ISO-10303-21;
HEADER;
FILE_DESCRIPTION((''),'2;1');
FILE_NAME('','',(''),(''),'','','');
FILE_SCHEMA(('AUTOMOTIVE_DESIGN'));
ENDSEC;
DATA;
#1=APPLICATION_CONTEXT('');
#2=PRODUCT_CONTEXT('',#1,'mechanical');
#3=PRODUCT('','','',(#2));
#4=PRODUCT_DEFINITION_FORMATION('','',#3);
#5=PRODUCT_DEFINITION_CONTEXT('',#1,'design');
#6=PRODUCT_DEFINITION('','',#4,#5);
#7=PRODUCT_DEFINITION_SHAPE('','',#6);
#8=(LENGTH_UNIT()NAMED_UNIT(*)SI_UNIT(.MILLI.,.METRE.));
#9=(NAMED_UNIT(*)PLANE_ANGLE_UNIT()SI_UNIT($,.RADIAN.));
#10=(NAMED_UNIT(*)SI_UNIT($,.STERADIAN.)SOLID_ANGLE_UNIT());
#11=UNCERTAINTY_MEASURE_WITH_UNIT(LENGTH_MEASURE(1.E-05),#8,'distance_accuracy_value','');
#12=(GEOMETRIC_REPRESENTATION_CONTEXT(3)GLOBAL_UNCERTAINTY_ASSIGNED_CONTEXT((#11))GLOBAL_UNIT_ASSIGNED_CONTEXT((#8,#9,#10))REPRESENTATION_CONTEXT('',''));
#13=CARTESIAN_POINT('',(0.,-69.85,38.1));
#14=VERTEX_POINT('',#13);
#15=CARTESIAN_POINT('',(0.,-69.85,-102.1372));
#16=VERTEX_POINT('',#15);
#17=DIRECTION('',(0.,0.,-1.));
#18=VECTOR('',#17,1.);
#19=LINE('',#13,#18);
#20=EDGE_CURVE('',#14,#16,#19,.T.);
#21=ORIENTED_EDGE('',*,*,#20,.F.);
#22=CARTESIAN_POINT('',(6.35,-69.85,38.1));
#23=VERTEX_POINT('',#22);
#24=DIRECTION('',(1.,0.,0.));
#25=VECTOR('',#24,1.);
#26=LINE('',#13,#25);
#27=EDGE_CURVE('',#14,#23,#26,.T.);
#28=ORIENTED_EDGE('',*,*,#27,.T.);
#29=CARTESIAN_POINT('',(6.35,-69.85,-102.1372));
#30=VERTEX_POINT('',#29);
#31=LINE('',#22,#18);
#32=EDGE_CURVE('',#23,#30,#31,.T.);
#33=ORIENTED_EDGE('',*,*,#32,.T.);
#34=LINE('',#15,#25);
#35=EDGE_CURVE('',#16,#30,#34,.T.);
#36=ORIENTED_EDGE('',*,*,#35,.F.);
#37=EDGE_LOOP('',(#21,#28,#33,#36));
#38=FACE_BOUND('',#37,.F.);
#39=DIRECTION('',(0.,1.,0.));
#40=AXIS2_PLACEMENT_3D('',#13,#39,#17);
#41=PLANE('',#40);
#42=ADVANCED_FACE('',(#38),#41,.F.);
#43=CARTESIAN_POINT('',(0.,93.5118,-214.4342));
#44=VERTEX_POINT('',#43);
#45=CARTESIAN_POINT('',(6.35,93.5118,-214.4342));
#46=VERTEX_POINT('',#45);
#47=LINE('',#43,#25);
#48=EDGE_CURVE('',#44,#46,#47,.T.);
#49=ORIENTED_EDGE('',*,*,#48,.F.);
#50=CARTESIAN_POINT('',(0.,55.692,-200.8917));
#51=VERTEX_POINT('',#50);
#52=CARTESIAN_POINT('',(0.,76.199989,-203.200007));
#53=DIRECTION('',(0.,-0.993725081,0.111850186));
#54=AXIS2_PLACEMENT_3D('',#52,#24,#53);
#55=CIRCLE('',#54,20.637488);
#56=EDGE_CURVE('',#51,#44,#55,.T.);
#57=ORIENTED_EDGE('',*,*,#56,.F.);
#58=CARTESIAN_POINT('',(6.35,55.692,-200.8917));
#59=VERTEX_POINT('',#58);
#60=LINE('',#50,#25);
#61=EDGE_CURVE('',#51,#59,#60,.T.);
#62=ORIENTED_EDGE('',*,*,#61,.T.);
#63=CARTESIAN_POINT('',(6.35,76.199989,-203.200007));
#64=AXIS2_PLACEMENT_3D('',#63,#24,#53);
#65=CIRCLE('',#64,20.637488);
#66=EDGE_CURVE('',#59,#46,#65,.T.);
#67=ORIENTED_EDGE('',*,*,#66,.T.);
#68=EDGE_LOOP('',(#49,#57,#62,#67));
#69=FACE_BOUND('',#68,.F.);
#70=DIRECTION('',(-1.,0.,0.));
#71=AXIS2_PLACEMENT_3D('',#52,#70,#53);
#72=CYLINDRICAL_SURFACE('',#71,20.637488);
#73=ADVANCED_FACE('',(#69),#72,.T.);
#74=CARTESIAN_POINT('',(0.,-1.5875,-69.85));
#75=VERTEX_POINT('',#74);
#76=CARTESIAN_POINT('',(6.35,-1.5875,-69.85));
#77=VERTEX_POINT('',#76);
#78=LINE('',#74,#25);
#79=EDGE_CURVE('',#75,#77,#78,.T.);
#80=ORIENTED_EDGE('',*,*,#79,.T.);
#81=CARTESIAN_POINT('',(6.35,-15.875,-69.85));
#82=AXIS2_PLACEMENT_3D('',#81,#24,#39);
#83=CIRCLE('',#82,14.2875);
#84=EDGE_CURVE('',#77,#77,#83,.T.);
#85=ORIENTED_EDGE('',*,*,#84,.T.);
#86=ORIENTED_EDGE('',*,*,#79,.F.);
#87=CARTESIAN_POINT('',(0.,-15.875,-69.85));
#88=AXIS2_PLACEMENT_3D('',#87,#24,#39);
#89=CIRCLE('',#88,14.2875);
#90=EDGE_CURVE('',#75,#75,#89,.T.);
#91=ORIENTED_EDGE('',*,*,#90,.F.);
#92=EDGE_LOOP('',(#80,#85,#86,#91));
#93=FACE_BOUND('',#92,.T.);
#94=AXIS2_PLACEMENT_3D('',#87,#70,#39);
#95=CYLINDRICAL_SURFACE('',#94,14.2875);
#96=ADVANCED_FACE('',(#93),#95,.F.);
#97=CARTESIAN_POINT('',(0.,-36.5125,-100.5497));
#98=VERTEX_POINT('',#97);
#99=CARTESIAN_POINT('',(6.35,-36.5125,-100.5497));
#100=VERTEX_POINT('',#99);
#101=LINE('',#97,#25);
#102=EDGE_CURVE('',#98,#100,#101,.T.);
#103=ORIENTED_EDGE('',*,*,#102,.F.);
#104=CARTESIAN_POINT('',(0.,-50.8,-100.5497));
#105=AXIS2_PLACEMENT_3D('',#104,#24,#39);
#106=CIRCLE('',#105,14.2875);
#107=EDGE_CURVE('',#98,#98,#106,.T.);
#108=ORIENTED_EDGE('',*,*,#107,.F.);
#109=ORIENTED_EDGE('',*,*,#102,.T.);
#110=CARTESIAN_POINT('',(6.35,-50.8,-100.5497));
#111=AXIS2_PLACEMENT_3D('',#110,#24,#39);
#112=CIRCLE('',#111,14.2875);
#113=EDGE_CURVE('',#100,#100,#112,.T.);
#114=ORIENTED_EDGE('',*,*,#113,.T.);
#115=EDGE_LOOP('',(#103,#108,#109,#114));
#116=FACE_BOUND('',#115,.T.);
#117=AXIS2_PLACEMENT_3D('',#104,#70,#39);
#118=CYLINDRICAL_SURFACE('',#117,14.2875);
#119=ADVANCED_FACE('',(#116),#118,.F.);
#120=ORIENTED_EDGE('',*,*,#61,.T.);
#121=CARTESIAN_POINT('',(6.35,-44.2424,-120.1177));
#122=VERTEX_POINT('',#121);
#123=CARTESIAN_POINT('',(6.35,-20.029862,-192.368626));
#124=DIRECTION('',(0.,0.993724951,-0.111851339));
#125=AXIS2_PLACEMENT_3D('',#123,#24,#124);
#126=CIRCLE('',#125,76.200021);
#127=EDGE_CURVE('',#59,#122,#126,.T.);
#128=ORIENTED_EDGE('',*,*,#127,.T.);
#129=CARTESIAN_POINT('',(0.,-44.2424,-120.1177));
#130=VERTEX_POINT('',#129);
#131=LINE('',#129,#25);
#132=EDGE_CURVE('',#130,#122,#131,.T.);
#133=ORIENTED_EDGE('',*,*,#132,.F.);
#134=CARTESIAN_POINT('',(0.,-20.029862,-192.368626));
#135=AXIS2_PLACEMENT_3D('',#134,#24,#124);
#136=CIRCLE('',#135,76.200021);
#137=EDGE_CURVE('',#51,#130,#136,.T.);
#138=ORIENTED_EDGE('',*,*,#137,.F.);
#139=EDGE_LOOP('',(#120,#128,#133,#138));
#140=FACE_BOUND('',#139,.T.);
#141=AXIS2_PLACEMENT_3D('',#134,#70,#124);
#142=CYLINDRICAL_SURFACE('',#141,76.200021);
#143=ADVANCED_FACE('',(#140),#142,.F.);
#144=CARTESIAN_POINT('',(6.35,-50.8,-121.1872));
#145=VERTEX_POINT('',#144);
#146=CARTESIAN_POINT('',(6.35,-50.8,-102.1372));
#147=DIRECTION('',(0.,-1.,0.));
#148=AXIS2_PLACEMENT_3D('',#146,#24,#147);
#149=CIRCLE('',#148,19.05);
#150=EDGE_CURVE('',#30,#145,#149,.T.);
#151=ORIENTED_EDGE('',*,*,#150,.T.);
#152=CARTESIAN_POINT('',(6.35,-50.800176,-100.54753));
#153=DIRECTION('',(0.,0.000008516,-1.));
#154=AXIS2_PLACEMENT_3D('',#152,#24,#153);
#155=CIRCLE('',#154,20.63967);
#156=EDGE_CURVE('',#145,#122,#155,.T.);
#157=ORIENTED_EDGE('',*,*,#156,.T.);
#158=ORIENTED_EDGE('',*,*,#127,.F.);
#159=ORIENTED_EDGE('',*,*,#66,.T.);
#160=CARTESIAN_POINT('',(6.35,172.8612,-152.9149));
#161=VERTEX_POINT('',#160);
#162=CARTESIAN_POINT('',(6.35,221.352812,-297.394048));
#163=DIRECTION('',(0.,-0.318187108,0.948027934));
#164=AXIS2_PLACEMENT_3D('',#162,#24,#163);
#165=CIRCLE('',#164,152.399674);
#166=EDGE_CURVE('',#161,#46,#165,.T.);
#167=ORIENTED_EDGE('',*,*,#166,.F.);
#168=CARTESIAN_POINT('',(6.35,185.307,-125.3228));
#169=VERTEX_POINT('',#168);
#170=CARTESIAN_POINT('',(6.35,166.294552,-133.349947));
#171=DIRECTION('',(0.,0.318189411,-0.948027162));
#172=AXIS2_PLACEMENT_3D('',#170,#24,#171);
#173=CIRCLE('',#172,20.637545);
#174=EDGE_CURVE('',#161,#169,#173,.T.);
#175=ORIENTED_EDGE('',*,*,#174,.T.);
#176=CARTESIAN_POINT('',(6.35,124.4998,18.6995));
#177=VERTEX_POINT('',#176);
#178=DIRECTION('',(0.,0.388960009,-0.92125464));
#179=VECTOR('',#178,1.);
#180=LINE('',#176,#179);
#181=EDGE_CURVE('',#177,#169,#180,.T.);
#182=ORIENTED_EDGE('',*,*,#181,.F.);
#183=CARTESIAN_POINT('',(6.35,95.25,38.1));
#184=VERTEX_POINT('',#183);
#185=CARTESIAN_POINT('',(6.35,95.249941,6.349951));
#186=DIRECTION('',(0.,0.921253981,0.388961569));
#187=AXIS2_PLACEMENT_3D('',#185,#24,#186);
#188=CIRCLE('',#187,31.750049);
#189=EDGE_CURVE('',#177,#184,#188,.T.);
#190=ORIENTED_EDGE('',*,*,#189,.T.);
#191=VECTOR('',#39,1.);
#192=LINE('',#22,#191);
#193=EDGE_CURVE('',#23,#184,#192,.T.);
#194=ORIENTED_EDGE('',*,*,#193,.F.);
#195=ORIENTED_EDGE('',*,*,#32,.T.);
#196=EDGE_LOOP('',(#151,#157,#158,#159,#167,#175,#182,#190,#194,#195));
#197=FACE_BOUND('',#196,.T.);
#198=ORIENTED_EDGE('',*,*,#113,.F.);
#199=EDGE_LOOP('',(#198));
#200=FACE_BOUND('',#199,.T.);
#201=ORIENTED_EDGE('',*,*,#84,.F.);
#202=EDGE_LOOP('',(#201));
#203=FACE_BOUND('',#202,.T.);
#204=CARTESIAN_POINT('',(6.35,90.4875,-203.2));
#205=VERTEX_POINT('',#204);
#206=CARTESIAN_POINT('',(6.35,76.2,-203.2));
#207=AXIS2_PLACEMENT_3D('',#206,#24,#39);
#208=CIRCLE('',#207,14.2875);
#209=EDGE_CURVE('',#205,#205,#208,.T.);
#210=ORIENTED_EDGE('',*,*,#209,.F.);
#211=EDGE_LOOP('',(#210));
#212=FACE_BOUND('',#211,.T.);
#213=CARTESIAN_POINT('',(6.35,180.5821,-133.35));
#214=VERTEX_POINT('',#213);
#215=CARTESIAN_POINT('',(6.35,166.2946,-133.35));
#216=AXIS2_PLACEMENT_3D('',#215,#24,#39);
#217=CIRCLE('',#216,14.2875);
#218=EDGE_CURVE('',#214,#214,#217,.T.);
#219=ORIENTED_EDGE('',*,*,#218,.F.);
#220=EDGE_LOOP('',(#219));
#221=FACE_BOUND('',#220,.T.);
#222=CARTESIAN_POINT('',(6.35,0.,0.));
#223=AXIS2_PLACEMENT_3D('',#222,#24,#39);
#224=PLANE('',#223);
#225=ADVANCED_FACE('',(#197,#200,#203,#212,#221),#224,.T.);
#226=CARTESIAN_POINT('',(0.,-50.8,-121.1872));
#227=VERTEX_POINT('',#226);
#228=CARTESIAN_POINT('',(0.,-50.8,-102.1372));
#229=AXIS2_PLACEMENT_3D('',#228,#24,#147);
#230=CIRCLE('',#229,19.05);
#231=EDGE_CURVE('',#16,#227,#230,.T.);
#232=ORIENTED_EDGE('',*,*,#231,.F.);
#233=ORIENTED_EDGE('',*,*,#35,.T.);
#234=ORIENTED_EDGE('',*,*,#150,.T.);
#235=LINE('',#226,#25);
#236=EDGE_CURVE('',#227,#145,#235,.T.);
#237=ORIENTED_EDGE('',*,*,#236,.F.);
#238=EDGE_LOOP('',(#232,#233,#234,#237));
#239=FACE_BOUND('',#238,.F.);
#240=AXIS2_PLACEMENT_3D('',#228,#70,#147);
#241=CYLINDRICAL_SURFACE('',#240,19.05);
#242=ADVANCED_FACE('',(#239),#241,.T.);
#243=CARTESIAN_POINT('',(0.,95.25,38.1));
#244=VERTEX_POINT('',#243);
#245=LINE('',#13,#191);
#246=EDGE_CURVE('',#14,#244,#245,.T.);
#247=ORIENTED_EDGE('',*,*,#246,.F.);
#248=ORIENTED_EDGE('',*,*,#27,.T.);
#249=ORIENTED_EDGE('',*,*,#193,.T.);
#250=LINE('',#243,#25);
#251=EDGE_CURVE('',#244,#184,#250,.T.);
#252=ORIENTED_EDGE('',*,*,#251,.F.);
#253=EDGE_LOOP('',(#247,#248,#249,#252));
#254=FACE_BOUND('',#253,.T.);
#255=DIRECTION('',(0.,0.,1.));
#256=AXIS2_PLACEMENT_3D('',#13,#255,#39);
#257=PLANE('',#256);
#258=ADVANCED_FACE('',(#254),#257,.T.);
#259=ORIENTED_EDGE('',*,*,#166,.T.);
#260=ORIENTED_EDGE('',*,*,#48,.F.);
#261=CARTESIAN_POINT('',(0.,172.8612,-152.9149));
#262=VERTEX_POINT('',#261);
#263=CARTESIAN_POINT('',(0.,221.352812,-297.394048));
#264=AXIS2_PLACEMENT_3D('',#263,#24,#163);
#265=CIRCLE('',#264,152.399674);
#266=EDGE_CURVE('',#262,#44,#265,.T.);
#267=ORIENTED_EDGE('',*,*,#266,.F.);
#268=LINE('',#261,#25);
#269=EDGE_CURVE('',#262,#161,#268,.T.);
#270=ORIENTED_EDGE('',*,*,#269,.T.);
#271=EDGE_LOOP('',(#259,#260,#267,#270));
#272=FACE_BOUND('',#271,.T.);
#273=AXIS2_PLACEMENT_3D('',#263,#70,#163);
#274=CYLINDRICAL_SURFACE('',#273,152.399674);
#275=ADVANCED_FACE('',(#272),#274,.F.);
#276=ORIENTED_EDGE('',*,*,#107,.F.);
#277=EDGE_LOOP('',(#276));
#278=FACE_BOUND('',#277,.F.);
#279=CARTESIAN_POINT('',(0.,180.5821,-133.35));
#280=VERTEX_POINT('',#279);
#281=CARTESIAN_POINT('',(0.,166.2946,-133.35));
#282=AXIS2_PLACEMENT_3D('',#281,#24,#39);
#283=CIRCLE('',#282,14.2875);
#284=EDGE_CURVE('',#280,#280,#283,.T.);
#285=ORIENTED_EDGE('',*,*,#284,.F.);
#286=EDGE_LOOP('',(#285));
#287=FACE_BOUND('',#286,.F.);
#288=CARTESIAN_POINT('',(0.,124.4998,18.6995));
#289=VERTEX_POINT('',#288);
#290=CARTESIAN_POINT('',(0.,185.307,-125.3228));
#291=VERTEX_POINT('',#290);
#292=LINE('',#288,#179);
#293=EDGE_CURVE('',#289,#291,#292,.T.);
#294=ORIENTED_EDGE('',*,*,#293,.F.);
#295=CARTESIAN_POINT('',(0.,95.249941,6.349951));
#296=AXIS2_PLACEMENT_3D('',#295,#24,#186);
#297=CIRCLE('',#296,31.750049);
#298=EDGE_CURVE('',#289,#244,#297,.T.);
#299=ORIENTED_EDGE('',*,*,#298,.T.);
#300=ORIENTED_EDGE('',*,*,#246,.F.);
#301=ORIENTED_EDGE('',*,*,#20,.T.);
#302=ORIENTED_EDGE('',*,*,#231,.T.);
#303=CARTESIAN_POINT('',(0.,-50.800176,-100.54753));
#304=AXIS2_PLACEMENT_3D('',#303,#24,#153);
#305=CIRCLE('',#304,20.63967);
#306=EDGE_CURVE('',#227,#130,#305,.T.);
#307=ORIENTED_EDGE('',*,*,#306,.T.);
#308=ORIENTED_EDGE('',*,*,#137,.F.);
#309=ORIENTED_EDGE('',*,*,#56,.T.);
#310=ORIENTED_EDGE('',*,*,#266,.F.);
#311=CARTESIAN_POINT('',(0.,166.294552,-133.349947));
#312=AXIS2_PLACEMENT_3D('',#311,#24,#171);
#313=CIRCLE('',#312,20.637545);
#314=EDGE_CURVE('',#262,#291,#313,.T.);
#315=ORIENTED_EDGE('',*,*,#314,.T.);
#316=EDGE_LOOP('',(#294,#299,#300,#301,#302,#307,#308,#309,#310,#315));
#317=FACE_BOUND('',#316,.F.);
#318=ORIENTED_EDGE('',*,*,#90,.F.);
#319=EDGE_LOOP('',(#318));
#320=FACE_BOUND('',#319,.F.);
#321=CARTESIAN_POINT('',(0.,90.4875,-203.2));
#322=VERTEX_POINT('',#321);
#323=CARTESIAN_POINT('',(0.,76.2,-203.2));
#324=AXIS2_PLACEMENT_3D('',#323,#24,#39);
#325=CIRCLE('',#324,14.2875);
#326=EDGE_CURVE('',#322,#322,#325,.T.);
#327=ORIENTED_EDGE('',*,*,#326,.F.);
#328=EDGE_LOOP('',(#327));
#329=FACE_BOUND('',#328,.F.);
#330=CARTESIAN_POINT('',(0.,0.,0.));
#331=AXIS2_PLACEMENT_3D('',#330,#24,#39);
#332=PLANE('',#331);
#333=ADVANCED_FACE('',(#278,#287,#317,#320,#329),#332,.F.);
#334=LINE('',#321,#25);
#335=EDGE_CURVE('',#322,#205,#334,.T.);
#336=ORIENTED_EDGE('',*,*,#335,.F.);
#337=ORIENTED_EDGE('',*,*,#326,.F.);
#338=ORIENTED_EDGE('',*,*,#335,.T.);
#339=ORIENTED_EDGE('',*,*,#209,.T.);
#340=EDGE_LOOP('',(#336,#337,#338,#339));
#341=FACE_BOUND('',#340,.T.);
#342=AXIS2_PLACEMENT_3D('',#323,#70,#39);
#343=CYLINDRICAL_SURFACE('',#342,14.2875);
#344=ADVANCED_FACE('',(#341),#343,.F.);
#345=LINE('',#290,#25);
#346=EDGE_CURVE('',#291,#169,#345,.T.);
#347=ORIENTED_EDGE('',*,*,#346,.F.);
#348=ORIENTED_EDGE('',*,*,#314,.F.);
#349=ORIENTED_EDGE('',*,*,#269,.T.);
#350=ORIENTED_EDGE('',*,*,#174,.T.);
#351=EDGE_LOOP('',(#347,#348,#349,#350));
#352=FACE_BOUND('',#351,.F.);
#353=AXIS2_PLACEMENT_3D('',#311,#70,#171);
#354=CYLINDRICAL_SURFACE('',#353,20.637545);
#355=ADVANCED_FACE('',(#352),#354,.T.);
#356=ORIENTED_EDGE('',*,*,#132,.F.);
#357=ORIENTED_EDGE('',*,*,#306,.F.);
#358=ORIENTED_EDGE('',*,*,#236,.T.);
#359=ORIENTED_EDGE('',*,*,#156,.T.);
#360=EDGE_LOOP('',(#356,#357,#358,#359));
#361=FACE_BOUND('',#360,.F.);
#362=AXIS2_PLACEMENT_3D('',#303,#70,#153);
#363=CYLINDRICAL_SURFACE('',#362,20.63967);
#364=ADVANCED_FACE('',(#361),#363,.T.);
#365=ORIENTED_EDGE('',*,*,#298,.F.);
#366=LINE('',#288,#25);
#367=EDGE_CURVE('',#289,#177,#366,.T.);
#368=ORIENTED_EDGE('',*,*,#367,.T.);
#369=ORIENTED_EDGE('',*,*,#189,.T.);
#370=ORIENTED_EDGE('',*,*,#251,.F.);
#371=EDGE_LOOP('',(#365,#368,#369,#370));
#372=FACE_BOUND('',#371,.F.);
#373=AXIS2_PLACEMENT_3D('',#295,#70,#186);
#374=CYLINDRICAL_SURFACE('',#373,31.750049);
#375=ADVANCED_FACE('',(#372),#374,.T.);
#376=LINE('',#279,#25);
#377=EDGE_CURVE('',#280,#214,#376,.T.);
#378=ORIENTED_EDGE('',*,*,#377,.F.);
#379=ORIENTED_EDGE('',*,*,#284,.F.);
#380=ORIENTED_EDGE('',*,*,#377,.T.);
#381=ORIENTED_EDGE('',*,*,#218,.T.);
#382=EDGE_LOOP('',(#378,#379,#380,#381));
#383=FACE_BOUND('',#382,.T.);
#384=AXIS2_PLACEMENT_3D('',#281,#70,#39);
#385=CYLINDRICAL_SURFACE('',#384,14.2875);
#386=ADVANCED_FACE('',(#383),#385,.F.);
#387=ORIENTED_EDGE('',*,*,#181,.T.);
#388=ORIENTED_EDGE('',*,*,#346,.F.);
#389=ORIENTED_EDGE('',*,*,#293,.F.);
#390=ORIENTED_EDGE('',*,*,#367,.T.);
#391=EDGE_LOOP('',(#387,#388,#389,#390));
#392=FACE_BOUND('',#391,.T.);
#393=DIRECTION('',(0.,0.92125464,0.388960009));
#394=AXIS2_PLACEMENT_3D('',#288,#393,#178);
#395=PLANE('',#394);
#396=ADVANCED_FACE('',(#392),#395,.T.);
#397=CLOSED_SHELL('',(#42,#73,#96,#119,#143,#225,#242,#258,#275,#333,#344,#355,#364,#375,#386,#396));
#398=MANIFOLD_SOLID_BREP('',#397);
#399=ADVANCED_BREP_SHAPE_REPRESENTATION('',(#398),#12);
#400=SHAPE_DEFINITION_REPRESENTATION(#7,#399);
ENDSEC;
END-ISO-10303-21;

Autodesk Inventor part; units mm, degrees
ref_plane "YZ Plane" through (0, 0, 0) normal (1, 0, 0) x (0, 1, 0)
ref_plane "XZ Plane" through (0, 0, 0) normal (0, 1, 0) x (-1, 0, 0)
ref_plane "XY Plane" through (0, 0, 0) normal (0, 0, 1) x (1, 0, 0)
sketch "Sketch2" plane through (0, 0, 0) normal (1, 0, 0) x (0, 1, 0)
  line L0 (63.5, 38.1) -> (-63.5, 38.1) construction
  line L1 (-63.5, 38.1) -> (-63.5, -38.1) construction
  line L2 (-63.5, -38.1) -> (63.5, -38.1) construction
  line L3 (63.5, -38.1) -> (63.5, 38.1) construction
  line L4 (63.5, 38.1) -> (-63.5, -38.1) construction
  line L5 (-63.5, 38.1) -> (63.5, -38.1) construction
  line L6 (-63.5, 38.1) -> (-76.2, 38.1) construction
  line L7 (-76.2, 38.1) -> (-76.2, -266.7) construction
  line L8 (-76.2, -266.7) -> (-63.5, -266.7) construction
  line L9 (-63.5, -266.7) -> (-63.5, 38.1) construction
  circle A0 centre (4.5591, -357.9215) radius 57.15 construction
  circle A1 centre (-50.8, -100.5497) radius 15.875 construction
  circle A2 centre (-15.875, -69.85) radius 25.4 construction
  circle A3 centre (76.2, -203.2) radius 63.5 construction
  circle A4 centre (76.2, -203.2) radius 14.2875
  circle A5 centre (166.2946, -133.35) radius 38.1 construction
  circle A6 centre (166.2946, -133.35) radius 14.2875
  circle A7 centre (-50.8, -100.5497) radius 14.2875
  circle A8 centre (-15.875, -69.85) radius 14.2875
  line L10 (-69.85, 38.1) -> (-69.85, -102.1372)
  arc A9 (-50.8, -121.1872) -> (-44.2424, -120.1177) centre (-50.8, -100.5497) ccw
  arc A10 (55.692, -200.8917) -> (93.5118, -214.4342) centre (76.2, -203.2) ccw
  arc A11 (172.8612, -152.9149) -> (185.307, -125.3228) centre (166.2946, -133.35) ccw
  arc A12 (55.692, -200.8917) -> (-44.2424, -120.1177) centre (-20.0298, -192.3686) ccw
  line L11 (-69.85, 38.1) -> (95.25, 38.1)
  line L12 (124.4998, 18.6995) -> (185.307, -125.3228)
  arc A13 (172.8612, -152.9149) -> (93.5118, -214.4342) centre (221.353, -297.3944) ccw
  arc A14 (124.4998, 18.6995) -> (95.25, 38.1) centre (95.25, 6.35) ccw
  arc A15 (-69.85, -102.1372) -> (-50.8, -121.1872) centre (-50.8, -102.1372) ccw
  point P0 (0, 0)
  dimension "d2" = 127
  dimension "d3" = 76.2
  dimension "d4" = 12.7
  dimension "d5" = 304.8
  dimension "d6" = 114.3
  dimension "d7" = 31.75
  dimension "d8" = 50.8
  dimension "d9" = 127
  dimension "d10" = 152.4
  dimension "d11" = 28.575
  dimension "d12" = 31.75
  dimension "d13" = 25.4
  dimension "d14" = 46.4998
  dimension "d15" = 47.625
  dimension "d16" = 165.1
  dimension "d17" = 76.2
  dimension "d18" = 114.0003
  dimension "d19" = 69.85
  dimension "d20" = 28.575
  dimension "d21" = 28.575
  dimension "d22" = 28.575
  dimension "d23" = 6.35
  dimension "d24" = 6.35
  dimension "d25" = 6.35
  dimension "d26" = 76.2
  dimension "d28" = 165.1
  dimension "d29" = 152.4
  dimension "d30" = 31.75
  dimension "d35" = 19.05
extrude "Extrusion1" add sketch "Sketch2" along normal blind 6.35
sketch "Sketch3" plane through (6.35, 0, 0) normal (1, 0, 0) x (0, 0, -1)
  line L0 (-38.1, 63.5) -> (38.1, 63.5) construction
  line L1 (38.1, 63.5) -> (38.1, -63.5) construction
  line L2 (38.1, -63.5) -> (-38.1, -63.5) construction
  line L3 (-38.1, -63.5) -> (-38.1, 63.5) construction
  line L4 (-38.1, 63.5) -> (38.1, -63.5) construction
  line L5 (38.1, 63.5) -> (-38.1, -63.5) construction
  line L6 (-38.1, -69.85) -> (102.1372, -69.85) construction
  line L7 (-38.1, 95.25) -> (-38.1, -69.85) construction
  point P0 (0, 0)
  point P1 (0, 0)
  dimension "d36" = 76.2
  dimension "d37" = 127
  dimension "d38" = 6.35
  dimension "d39" = 0
properties part number "GI - 001" material "Aluminum 6061"
